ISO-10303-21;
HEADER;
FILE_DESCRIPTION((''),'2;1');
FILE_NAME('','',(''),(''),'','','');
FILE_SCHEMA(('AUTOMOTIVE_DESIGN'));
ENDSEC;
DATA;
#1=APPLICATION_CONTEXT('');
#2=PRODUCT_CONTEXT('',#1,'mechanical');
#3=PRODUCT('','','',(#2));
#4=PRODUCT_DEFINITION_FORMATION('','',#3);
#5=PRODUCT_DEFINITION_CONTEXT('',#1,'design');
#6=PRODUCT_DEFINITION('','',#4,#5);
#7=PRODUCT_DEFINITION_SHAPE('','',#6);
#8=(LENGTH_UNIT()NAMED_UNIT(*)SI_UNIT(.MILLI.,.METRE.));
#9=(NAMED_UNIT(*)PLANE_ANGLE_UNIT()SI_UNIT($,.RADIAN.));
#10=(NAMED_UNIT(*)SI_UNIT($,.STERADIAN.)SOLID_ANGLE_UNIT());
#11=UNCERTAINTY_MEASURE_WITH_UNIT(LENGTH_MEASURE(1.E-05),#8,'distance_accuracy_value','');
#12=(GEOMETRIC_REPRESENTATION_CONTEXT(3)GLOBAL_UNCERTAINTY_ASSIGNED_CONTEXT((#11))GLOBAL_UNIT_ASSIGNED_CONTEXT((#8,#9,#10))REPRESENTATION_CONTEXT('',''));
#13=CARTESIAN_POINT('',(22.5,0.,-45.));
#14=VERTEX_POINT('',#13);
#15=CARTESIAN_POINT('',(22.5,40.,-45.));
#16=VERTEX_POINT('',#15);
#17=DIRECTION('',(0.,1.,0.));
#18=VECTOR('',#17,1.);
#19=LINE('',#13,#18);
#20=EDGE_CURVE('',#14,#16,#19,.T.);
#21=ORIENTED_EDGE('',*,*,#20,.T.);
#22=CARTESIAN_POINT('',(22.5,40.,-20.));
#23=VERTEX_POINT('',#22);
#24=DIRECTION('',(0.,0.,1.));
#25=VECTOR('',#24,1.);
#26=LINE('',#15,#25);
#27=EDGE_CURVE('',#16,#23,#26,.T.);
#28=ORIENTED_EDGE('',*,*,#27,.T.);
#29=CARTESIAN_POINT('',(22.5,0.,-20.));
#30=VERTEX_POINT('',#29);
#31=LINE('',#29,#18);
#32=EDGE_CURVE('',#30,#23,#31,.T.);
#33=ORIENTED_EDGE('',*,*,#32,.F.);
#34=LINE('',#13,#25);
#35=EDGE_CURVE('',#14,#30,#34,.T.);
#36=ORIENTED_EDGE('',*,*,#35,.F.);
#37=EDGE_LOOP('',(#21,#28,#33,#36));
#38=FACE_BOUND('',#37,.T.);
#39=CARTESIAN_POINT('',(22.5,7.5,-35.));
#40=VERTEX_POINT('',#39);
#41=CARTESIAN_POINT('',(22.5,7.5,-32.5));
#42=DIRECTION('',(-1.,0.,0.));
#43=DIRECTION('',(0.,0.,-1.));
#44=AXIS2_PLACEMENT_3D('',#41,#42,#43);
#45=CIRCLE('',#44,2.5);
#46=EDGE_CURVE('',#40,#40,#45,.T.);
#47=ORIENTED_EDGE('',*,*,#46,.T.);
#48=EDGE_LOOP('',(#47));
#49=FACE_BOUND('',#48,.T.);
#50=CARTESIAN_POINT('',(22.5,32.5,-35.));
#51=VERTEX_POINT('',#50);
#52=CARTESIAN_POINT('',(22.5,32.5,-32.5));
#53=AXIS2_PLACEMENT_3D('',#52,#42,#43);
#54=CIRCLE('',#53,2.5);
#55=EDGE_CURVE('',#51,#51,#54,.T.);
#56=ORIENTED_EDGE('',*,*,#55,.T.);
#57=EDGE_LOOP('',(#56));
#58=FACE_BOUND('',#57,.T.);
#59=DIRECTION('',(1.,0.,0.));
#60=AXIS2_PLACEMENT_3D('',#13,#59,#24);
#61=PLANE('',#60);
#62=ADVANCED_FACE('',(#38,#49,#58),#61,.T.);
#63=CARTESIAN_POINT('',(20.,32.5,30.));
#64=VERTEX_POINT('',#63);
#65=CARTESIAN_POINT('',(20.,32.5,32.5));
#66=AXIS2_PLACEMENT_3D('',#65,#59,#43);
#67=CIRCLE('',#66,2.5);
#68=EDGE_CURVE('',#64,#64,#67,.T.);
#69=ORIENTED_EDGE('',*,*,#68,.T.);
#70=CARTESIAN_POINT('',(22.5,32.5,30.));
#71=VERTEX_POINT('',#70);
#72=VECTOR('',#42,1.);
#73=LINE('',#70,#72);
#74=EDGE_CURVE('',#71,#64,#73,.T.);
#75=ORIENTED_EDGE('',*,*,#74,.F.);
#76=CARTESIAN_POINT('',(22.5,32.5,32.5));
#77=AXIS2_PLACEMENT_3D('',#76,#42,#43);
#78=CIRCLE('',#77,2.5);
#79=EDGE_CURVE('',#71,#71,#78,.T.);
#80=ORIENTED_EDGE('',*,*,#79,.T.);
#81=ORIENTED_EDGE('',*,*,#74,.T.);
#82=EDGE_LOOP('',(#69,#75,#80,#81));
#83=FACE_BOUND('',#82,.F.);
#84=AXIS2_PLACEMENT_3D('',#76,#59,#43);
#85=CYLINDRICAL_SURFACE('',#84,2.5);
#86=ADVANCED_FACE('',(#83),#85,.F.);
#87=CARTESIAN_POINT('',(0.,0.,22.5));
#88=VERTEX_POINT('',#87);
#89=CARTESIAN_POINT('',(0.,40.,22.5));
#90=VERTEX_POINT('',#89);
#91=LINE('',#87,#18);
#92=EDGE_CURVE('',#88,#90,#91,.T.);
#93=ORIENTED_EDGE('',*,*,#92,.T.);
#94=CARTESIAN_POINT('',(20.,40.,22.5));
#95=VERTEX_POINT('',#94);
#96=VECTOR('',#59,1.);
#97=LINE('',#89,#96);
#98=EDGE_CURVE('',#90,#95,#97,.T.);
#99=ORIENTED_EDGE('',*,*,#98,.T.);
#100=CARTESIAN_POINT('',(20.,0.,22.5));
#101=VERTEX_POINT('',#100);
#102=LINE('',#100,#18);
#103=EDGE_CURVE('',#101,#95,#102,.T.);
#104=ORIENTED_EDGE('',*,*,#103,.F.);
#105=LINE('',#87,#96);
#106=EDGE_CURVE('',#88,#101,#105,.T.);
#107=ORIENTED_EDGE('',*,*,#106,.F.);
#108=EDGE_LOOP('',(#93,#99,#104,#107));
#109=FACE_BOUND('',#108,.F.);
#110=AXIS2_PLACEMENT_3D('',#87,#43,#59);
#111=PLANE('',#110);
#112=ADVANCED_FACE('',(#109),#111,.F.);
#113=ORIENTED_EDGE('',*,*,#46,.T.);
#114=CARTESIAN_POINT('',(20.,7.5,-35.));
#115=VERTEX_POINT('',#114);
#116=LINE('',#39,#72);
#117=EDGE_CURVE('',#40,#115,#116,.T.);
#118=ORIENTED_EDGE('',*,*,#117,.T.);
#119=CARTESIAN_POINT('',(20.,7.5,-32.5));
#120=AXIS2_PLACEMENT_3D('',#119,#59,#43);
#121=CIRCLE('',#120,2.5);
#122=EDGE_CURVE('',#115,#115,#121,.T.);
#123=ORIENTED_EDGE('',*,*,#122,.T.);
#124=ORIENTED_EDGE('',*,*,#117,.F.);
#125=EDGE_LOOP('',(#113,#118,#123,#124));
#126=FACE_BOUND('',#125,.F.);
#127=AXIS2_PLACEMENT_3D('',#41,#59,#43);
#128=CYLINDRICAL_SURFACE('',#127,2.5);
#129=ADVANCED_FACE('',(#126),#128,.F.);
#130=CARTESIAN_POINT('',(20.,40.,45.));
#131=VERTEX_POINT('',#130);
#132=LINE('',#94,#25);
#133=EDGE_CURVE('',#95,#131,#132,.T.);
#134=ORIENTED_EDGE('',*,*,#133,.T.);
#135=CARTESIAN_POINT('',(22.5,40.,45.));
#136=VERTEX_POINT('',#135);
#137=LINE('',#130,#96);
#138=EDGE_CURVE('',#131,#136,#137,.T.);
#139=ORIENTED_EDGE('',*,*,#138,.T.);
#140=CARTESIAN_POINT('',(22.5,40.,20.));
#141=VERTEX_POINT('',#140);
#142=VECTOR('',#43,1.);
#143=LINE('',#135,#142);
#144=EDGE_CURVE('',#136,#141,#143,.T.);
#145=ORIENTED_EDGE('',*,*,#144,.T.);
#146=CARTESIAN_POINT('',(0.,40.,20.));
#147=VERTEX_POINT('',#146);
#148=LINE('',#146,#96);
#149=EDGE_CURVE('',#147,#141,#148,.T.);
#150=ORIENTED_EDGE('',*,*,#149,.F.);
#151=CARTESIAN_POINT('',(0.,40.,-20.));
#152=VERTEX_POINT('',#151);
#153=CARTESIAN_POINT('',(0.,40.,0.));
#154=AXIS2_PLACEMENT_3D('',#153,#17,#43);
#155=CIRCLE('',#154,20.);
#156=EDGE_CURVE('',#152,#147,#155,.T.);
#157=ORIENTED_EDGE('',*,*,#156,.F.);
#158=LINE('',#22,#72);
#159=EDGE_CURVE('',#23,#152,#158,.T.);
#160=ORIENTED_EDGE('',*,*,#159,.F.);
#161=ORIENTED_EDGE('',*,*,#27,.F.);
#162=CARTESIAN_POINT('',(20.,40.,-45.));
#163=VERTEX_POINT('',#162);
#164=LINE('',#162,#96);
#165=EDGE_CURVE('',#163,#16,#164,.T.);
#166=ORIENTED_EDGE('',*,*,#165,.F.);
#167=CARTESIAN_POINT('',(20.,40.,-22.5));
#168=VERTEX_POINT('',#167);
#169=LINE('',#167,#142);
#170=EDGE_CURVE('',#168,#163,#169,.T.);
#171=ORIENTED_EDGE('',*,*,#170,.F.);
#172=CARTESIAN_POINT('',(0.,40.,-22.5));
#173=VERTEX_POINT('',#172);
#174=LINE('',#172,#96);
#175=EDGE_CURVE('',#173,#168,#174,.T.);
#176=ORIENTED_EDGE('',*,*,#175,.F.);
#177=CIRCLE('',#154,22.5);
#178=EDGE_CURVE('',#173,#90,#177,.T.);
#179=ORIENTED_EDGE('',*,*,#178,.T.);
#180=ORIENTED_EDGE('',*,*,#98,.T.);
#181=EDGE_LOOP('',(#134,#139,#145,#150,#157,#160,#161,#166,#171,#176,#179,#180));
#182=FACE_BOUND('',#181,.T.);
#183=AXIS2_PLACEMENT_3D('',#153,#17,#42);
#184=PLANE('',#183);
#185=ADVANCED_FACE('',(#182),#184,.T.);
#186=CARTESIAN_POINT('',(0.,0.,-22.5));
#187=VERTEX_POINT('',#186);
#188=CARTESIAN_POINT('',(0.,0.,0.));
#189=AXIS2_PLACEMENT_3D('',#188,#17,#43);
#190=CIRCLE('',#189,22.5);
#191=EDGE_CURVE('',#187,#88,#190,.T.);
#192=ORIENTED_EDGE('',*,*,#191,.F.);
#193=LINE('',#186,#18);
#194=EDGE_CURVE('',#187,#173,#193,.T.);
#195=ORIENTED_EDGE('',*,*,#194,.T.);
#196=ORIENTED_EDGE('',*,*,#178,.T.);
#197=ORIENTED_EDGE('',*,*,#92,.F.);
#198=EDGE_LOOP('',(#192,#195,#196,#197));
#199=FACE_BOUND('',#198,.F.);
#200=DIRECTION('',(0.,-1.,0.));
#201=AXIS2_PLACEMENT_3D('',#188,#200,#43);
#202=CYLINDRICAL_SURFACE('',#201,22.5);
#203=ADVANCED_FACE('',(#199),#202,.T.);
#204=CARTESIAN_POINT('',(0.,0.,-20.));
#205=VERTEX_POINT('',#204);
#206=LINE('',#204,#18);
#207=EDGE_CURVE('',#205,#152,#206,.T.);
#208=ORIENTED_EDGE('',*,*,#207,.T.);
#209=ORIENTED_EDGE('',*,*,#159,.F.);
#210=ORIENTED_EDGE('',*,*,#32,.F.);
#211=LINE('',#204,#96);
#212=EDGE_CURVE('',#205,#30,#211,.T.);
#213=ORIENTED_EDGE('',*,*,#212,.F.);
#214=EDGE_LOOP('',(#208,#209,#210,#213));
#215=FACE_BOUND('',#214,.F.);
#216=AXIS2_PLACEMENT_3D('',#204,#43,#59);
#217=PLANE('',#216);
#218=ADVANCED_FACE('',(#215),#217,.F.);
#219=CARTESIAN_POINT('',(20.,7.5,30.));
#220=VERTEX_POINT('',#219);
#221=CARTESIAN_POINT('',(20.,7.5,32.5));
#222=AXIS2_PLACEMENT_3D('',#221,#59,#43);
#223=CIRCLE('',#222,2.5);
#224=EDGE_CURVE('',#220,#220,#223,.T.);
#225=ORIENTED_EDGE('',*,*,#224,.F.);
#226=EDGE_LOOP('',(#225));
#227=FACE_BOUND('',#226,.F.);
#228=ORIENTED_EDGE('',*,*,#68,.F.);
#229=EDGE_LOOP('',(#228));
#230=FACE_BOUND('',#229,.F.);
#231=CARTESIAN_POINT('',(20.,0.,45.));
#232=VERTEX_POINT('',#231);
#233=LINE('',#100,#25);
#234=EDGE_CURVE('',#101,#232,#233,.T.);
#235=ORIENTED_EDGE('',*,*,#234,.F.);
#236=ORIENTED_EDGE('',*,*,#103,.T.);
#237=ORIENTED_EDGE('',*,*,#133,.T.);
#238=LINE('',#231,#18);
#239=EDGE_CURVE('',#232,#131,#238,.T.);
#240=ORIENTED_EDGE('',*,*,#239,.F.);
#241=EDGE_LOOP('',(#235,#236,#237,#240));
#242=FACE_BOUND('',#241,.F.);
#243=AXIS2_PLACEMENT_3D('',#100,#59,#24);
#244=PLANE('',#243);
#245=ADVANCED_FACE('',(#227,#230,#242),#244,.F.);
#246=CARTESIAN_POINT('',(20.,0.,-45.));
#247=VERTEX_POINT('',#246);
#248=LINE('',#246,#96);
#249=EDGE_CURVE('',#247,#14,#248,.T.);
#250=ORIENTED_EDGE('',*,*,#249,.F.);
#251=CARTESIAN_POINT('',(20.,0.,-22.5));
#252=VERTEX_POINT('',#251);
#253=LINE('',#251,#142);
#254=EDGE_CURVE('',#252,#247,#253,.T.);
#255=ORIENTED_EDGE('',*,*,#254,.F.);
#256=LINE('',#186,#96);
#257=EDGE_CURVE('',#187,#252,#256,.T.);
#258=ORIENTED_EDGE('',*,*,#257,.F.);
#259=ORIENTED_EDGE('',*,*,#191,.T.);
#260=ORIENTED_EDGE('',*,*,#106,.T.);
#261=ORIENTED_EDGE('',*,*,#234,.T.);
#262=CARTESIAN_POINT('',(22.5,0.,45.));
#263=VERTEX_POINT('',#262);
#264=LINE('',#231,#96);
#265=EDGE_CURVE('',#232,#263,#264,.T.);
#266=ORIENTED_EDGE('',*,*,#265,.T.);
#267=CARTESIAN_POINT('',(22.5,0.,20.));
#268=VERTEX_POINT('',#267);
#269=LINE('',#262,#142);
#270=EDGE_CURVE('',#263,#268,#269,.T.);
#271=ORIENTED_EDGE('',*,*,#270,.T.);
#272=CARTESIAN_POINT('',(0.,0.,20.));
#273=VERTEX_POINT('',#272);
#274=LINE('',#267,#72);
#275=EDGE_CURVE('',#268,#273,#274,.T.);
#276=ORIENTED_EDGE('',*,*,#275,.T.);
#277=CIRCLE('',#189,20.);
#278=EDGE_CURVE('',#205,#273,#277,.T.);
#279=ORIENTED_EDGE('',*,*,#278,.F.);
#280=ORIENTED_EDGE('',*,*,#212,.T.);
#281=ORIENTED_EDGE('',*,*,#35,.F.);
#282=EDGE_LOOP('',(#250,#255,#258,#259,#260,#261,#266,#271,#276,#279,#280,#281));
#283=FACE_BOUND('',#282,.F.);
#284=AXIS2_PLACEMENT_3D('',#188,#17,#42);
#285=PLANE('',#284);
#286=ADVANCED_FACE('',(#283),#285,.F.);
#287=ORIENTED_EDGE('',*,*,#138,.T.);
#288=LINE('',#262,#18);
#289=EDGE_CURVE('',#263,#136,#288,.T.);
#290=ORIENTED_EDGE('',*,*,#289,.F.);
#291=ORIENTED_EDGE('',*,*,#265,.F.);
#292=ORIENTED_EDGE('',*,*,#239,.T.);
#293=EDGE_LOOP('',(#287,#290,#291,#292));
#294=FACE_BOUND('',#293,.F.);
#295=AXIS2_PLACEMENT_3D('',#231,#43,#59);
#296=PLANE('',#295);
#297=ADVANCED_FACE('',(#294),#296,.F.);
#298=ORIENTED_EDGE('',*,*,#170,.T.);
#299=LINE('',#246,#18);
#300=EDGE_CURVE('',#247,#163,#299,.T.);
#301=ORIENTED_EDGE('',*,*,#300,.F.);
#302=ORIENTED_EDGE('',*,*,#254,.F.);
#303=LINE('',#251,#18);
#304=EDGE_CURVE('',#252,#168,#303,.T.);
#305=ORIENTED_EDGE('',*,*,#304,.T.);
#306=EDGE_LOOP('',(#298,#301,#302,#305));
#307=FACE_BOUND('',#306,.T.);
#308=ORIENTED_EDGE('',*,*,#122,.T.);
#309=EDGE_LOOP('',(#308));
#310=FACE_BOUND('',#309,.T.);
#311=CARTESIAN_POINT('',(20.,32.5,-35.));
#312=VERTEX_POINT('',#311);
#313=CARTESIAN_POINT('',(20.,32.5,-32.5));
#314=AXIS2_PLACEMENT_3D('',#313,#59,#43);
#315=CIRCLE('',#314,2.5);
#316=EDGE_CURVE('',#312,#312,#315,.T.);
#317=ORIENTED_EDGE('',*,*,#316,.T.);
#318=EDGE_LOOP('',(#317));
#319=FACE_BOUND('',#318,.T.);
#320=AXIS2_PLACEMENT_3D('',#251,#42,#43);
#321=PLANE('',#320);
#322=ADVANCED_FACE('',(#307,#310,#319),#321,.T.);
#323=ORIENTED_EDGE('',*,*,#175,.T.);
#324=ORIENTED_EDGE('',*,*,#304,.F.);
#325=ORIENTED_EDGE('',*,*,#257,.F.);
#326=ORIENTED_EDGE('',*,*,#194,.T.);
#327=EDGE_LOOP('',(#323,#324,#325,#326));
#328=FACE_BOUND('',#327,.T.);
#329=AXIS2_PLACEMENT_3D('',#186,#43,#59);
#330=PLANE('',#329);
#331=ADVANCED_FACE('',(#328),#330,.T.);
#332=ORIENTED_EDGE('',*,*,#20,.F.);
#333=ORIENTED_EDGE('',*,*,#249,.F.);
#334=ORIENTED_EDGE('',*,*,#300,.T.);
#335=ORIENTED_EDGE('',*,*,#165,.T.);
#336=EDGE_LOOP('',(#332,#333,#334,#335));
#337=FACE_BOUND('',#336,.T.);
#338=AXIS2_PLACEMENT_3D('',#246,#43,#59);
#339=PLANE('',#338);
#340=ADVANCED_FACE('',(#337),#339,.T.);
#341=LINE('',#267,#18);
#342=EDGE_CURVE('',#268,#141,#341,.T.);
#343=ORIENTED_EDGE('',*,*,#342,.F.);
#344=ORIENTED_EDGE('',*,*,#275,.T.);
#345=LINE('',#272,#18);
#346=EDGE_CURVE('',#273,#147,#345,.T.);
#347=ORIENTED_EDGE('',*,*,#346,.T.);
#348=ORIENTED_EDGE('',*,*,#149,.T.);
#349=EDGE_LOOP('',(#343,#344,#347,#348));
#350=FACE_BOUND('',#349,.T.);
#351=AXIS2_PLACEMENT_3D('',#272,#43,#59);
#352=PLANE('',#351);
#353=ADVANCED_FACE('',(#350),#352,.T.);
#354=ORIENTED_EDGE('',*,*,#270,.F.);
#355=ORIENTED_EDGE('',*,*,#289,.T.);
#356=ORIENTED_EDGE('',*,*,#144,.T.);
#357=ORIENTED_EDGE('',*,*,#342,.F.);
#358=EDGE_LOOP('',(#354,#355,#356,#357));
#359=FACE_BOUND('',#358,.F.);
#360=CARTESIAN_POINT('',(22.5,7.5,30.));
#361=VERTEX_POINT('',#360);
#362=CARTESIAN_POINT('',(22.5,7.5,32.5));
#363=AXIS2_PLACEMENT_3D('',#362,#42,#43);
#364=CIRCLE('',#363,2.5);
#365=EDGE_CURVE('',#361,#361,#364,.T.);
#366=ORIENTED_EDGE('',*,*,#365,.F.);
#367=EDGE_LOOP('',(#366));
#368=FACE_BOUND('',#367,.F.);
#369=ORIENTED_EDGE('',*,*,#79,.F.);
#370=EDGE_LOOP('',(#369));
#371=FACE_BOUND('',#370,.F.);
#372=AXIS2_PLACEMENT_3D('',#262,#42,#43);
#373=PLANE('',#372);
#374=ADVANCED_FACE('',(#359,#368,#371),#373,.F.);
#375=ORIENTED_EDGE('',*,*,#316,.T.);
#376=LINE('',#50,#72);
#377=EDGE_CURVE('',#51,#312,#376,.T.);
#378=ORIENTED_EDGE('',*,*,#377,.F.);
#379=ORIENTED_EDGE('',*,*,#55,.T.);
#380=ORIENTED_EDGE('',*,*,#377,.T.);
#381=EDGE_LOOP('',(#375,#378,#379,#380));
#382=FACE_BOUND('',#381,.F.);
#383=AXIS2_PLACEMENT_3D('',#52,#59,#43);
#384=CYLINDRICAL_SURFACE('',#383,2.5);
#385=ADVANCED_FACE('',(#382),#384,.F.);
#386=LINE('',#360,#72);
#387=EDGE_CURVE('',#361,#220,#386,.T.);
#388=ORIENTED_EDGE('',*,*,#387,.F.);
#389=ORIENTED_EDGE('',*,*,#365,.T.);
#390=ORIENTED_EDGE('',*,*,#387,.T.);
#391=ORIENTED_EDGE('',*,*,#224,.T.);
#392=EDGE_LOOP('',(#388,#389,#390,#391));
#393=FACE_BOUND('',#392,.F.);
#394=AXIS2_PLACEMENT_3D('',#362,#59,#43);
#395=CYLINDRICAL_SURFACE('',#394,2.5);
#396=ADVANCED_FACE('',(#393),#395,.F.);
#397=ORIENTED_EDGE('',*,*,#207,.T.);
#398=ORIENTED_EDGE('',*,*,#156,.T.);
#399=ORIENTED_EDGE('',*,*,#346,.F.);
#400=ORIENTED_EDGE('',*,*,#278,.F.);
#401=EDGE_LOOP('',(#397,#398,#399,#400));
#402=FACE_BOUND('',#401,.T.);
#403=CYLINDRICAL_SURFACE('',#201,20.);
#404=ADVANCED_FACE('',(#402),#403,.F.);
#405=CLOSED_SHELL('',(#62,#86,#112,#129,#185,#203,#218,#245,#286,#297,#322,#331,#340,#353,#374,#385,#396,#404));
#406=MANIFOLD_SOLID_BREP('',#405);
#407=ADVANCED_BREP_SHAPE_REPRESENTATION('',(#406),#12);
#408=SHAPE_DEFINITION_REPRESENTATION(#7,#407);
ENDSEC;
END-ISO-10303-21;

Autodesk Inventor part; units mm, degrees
ref_plane "YZ Plane" through (0, 0, 0) normal (1, 0, 0) x (0, 1, 0)
ref_plane "XZ Plane" through (0, 0, 0) normal (0, 1, 0) x (-1, 0, 0)
ref_plane "XY Plane" through (0, 0, 0) normal (0, 0, 1) x (1, 0, 0)
sketch "Sketch1" plane through (0, 0, 0) normal (0, 1, 0) x (-1, 0, 0)
  arc A0 (0, -20) -> (0, 20) centre (0, 0) ccw
  arc A1 (0, -22.5) -> (0, 22.5) centre (0, 0) ccw
  line L0 (0, 22.5) -> (-20, 22.5)
  line L1 (-22.5, 20) -> (-20, 20)
  line L2 (-20, 22.5) -> (-20, 45)
  line L3 (-20, 45) -> (-22.5, 45)
  line L4 (-22.5, 45) -> (-22.5, 20)
  line L5 (8.3208, 0) -> (-8.3208, 0)
  line L6 (0, 20) -> (-22.5, 20)
  line L7 (0, -22.5) -> (-20, -22.5)
  line L8 (-22.5, -20) -> (-20, -20)
  line L9 (-20, -22.5) -> (-20, -45)
  line L10 (-20, -45) -> (-22.5, -45)
  line L11 (-22.5, -45) -> (-22.5, -20)
  line L12 (0, -20) -> (-22.5, -20)
  point P0 (-22.5, 22.5)
  point P1 (-22.5, -22.5)
  dimension "d0" = 40
  dimension "d1" = 2.5
  dimension "d2" = 25
extrude "Extrusion1" add sketch "Sketch1" along normal blind 40
sketch "Sketch2" plane through (22.5, 0, 45) normal (1, 0, 0) x (0, 0, -1)
  line L0 (12.5, 32.5) -> (77.5, 32.5)
  line L1 (77.5, 32.5) -> (77.5, 7.5)
  line L2 (77.5, 7.5) -> (12.5, 7.5)
  line L3 (12.5, 7.5) -> (12.5, 32.5)
  line L4 (0, 0) -> (0, 40) projected
  line L5 (25, 40) -> (65, 40) projected
  circle A0 centre (12.5, 32.5) radius 2.5
  circle A1 centre (77.5, 32.5) radius 2.5
  circle A2 centre (77.5, 7.5) radius 2.5
  circle A3 centre (12.5, 7.5) radius 2.5
  point P0 (45, 0)
  dimension "d5" = 65
  dimension "d6" = 25
  dimension "d7" = 12.5
  dimension "d8" = 7.5
  dimension "d9" = 5
  dimension "d10" = 5
  dimension "d11" = 5
  dimension "d12" = 5
extrude "Extrusion2" cut sketch "Sketch2" against normal blind 40 contours L3 A0 L0 | L0 A0 L3 | A1 L1 L0 | L0 L1 A1 | A3 L2 L3 | L3 L2 A3 | A2 L2 L1 | L1 L2 A2
properties part number "steeringbracket"
